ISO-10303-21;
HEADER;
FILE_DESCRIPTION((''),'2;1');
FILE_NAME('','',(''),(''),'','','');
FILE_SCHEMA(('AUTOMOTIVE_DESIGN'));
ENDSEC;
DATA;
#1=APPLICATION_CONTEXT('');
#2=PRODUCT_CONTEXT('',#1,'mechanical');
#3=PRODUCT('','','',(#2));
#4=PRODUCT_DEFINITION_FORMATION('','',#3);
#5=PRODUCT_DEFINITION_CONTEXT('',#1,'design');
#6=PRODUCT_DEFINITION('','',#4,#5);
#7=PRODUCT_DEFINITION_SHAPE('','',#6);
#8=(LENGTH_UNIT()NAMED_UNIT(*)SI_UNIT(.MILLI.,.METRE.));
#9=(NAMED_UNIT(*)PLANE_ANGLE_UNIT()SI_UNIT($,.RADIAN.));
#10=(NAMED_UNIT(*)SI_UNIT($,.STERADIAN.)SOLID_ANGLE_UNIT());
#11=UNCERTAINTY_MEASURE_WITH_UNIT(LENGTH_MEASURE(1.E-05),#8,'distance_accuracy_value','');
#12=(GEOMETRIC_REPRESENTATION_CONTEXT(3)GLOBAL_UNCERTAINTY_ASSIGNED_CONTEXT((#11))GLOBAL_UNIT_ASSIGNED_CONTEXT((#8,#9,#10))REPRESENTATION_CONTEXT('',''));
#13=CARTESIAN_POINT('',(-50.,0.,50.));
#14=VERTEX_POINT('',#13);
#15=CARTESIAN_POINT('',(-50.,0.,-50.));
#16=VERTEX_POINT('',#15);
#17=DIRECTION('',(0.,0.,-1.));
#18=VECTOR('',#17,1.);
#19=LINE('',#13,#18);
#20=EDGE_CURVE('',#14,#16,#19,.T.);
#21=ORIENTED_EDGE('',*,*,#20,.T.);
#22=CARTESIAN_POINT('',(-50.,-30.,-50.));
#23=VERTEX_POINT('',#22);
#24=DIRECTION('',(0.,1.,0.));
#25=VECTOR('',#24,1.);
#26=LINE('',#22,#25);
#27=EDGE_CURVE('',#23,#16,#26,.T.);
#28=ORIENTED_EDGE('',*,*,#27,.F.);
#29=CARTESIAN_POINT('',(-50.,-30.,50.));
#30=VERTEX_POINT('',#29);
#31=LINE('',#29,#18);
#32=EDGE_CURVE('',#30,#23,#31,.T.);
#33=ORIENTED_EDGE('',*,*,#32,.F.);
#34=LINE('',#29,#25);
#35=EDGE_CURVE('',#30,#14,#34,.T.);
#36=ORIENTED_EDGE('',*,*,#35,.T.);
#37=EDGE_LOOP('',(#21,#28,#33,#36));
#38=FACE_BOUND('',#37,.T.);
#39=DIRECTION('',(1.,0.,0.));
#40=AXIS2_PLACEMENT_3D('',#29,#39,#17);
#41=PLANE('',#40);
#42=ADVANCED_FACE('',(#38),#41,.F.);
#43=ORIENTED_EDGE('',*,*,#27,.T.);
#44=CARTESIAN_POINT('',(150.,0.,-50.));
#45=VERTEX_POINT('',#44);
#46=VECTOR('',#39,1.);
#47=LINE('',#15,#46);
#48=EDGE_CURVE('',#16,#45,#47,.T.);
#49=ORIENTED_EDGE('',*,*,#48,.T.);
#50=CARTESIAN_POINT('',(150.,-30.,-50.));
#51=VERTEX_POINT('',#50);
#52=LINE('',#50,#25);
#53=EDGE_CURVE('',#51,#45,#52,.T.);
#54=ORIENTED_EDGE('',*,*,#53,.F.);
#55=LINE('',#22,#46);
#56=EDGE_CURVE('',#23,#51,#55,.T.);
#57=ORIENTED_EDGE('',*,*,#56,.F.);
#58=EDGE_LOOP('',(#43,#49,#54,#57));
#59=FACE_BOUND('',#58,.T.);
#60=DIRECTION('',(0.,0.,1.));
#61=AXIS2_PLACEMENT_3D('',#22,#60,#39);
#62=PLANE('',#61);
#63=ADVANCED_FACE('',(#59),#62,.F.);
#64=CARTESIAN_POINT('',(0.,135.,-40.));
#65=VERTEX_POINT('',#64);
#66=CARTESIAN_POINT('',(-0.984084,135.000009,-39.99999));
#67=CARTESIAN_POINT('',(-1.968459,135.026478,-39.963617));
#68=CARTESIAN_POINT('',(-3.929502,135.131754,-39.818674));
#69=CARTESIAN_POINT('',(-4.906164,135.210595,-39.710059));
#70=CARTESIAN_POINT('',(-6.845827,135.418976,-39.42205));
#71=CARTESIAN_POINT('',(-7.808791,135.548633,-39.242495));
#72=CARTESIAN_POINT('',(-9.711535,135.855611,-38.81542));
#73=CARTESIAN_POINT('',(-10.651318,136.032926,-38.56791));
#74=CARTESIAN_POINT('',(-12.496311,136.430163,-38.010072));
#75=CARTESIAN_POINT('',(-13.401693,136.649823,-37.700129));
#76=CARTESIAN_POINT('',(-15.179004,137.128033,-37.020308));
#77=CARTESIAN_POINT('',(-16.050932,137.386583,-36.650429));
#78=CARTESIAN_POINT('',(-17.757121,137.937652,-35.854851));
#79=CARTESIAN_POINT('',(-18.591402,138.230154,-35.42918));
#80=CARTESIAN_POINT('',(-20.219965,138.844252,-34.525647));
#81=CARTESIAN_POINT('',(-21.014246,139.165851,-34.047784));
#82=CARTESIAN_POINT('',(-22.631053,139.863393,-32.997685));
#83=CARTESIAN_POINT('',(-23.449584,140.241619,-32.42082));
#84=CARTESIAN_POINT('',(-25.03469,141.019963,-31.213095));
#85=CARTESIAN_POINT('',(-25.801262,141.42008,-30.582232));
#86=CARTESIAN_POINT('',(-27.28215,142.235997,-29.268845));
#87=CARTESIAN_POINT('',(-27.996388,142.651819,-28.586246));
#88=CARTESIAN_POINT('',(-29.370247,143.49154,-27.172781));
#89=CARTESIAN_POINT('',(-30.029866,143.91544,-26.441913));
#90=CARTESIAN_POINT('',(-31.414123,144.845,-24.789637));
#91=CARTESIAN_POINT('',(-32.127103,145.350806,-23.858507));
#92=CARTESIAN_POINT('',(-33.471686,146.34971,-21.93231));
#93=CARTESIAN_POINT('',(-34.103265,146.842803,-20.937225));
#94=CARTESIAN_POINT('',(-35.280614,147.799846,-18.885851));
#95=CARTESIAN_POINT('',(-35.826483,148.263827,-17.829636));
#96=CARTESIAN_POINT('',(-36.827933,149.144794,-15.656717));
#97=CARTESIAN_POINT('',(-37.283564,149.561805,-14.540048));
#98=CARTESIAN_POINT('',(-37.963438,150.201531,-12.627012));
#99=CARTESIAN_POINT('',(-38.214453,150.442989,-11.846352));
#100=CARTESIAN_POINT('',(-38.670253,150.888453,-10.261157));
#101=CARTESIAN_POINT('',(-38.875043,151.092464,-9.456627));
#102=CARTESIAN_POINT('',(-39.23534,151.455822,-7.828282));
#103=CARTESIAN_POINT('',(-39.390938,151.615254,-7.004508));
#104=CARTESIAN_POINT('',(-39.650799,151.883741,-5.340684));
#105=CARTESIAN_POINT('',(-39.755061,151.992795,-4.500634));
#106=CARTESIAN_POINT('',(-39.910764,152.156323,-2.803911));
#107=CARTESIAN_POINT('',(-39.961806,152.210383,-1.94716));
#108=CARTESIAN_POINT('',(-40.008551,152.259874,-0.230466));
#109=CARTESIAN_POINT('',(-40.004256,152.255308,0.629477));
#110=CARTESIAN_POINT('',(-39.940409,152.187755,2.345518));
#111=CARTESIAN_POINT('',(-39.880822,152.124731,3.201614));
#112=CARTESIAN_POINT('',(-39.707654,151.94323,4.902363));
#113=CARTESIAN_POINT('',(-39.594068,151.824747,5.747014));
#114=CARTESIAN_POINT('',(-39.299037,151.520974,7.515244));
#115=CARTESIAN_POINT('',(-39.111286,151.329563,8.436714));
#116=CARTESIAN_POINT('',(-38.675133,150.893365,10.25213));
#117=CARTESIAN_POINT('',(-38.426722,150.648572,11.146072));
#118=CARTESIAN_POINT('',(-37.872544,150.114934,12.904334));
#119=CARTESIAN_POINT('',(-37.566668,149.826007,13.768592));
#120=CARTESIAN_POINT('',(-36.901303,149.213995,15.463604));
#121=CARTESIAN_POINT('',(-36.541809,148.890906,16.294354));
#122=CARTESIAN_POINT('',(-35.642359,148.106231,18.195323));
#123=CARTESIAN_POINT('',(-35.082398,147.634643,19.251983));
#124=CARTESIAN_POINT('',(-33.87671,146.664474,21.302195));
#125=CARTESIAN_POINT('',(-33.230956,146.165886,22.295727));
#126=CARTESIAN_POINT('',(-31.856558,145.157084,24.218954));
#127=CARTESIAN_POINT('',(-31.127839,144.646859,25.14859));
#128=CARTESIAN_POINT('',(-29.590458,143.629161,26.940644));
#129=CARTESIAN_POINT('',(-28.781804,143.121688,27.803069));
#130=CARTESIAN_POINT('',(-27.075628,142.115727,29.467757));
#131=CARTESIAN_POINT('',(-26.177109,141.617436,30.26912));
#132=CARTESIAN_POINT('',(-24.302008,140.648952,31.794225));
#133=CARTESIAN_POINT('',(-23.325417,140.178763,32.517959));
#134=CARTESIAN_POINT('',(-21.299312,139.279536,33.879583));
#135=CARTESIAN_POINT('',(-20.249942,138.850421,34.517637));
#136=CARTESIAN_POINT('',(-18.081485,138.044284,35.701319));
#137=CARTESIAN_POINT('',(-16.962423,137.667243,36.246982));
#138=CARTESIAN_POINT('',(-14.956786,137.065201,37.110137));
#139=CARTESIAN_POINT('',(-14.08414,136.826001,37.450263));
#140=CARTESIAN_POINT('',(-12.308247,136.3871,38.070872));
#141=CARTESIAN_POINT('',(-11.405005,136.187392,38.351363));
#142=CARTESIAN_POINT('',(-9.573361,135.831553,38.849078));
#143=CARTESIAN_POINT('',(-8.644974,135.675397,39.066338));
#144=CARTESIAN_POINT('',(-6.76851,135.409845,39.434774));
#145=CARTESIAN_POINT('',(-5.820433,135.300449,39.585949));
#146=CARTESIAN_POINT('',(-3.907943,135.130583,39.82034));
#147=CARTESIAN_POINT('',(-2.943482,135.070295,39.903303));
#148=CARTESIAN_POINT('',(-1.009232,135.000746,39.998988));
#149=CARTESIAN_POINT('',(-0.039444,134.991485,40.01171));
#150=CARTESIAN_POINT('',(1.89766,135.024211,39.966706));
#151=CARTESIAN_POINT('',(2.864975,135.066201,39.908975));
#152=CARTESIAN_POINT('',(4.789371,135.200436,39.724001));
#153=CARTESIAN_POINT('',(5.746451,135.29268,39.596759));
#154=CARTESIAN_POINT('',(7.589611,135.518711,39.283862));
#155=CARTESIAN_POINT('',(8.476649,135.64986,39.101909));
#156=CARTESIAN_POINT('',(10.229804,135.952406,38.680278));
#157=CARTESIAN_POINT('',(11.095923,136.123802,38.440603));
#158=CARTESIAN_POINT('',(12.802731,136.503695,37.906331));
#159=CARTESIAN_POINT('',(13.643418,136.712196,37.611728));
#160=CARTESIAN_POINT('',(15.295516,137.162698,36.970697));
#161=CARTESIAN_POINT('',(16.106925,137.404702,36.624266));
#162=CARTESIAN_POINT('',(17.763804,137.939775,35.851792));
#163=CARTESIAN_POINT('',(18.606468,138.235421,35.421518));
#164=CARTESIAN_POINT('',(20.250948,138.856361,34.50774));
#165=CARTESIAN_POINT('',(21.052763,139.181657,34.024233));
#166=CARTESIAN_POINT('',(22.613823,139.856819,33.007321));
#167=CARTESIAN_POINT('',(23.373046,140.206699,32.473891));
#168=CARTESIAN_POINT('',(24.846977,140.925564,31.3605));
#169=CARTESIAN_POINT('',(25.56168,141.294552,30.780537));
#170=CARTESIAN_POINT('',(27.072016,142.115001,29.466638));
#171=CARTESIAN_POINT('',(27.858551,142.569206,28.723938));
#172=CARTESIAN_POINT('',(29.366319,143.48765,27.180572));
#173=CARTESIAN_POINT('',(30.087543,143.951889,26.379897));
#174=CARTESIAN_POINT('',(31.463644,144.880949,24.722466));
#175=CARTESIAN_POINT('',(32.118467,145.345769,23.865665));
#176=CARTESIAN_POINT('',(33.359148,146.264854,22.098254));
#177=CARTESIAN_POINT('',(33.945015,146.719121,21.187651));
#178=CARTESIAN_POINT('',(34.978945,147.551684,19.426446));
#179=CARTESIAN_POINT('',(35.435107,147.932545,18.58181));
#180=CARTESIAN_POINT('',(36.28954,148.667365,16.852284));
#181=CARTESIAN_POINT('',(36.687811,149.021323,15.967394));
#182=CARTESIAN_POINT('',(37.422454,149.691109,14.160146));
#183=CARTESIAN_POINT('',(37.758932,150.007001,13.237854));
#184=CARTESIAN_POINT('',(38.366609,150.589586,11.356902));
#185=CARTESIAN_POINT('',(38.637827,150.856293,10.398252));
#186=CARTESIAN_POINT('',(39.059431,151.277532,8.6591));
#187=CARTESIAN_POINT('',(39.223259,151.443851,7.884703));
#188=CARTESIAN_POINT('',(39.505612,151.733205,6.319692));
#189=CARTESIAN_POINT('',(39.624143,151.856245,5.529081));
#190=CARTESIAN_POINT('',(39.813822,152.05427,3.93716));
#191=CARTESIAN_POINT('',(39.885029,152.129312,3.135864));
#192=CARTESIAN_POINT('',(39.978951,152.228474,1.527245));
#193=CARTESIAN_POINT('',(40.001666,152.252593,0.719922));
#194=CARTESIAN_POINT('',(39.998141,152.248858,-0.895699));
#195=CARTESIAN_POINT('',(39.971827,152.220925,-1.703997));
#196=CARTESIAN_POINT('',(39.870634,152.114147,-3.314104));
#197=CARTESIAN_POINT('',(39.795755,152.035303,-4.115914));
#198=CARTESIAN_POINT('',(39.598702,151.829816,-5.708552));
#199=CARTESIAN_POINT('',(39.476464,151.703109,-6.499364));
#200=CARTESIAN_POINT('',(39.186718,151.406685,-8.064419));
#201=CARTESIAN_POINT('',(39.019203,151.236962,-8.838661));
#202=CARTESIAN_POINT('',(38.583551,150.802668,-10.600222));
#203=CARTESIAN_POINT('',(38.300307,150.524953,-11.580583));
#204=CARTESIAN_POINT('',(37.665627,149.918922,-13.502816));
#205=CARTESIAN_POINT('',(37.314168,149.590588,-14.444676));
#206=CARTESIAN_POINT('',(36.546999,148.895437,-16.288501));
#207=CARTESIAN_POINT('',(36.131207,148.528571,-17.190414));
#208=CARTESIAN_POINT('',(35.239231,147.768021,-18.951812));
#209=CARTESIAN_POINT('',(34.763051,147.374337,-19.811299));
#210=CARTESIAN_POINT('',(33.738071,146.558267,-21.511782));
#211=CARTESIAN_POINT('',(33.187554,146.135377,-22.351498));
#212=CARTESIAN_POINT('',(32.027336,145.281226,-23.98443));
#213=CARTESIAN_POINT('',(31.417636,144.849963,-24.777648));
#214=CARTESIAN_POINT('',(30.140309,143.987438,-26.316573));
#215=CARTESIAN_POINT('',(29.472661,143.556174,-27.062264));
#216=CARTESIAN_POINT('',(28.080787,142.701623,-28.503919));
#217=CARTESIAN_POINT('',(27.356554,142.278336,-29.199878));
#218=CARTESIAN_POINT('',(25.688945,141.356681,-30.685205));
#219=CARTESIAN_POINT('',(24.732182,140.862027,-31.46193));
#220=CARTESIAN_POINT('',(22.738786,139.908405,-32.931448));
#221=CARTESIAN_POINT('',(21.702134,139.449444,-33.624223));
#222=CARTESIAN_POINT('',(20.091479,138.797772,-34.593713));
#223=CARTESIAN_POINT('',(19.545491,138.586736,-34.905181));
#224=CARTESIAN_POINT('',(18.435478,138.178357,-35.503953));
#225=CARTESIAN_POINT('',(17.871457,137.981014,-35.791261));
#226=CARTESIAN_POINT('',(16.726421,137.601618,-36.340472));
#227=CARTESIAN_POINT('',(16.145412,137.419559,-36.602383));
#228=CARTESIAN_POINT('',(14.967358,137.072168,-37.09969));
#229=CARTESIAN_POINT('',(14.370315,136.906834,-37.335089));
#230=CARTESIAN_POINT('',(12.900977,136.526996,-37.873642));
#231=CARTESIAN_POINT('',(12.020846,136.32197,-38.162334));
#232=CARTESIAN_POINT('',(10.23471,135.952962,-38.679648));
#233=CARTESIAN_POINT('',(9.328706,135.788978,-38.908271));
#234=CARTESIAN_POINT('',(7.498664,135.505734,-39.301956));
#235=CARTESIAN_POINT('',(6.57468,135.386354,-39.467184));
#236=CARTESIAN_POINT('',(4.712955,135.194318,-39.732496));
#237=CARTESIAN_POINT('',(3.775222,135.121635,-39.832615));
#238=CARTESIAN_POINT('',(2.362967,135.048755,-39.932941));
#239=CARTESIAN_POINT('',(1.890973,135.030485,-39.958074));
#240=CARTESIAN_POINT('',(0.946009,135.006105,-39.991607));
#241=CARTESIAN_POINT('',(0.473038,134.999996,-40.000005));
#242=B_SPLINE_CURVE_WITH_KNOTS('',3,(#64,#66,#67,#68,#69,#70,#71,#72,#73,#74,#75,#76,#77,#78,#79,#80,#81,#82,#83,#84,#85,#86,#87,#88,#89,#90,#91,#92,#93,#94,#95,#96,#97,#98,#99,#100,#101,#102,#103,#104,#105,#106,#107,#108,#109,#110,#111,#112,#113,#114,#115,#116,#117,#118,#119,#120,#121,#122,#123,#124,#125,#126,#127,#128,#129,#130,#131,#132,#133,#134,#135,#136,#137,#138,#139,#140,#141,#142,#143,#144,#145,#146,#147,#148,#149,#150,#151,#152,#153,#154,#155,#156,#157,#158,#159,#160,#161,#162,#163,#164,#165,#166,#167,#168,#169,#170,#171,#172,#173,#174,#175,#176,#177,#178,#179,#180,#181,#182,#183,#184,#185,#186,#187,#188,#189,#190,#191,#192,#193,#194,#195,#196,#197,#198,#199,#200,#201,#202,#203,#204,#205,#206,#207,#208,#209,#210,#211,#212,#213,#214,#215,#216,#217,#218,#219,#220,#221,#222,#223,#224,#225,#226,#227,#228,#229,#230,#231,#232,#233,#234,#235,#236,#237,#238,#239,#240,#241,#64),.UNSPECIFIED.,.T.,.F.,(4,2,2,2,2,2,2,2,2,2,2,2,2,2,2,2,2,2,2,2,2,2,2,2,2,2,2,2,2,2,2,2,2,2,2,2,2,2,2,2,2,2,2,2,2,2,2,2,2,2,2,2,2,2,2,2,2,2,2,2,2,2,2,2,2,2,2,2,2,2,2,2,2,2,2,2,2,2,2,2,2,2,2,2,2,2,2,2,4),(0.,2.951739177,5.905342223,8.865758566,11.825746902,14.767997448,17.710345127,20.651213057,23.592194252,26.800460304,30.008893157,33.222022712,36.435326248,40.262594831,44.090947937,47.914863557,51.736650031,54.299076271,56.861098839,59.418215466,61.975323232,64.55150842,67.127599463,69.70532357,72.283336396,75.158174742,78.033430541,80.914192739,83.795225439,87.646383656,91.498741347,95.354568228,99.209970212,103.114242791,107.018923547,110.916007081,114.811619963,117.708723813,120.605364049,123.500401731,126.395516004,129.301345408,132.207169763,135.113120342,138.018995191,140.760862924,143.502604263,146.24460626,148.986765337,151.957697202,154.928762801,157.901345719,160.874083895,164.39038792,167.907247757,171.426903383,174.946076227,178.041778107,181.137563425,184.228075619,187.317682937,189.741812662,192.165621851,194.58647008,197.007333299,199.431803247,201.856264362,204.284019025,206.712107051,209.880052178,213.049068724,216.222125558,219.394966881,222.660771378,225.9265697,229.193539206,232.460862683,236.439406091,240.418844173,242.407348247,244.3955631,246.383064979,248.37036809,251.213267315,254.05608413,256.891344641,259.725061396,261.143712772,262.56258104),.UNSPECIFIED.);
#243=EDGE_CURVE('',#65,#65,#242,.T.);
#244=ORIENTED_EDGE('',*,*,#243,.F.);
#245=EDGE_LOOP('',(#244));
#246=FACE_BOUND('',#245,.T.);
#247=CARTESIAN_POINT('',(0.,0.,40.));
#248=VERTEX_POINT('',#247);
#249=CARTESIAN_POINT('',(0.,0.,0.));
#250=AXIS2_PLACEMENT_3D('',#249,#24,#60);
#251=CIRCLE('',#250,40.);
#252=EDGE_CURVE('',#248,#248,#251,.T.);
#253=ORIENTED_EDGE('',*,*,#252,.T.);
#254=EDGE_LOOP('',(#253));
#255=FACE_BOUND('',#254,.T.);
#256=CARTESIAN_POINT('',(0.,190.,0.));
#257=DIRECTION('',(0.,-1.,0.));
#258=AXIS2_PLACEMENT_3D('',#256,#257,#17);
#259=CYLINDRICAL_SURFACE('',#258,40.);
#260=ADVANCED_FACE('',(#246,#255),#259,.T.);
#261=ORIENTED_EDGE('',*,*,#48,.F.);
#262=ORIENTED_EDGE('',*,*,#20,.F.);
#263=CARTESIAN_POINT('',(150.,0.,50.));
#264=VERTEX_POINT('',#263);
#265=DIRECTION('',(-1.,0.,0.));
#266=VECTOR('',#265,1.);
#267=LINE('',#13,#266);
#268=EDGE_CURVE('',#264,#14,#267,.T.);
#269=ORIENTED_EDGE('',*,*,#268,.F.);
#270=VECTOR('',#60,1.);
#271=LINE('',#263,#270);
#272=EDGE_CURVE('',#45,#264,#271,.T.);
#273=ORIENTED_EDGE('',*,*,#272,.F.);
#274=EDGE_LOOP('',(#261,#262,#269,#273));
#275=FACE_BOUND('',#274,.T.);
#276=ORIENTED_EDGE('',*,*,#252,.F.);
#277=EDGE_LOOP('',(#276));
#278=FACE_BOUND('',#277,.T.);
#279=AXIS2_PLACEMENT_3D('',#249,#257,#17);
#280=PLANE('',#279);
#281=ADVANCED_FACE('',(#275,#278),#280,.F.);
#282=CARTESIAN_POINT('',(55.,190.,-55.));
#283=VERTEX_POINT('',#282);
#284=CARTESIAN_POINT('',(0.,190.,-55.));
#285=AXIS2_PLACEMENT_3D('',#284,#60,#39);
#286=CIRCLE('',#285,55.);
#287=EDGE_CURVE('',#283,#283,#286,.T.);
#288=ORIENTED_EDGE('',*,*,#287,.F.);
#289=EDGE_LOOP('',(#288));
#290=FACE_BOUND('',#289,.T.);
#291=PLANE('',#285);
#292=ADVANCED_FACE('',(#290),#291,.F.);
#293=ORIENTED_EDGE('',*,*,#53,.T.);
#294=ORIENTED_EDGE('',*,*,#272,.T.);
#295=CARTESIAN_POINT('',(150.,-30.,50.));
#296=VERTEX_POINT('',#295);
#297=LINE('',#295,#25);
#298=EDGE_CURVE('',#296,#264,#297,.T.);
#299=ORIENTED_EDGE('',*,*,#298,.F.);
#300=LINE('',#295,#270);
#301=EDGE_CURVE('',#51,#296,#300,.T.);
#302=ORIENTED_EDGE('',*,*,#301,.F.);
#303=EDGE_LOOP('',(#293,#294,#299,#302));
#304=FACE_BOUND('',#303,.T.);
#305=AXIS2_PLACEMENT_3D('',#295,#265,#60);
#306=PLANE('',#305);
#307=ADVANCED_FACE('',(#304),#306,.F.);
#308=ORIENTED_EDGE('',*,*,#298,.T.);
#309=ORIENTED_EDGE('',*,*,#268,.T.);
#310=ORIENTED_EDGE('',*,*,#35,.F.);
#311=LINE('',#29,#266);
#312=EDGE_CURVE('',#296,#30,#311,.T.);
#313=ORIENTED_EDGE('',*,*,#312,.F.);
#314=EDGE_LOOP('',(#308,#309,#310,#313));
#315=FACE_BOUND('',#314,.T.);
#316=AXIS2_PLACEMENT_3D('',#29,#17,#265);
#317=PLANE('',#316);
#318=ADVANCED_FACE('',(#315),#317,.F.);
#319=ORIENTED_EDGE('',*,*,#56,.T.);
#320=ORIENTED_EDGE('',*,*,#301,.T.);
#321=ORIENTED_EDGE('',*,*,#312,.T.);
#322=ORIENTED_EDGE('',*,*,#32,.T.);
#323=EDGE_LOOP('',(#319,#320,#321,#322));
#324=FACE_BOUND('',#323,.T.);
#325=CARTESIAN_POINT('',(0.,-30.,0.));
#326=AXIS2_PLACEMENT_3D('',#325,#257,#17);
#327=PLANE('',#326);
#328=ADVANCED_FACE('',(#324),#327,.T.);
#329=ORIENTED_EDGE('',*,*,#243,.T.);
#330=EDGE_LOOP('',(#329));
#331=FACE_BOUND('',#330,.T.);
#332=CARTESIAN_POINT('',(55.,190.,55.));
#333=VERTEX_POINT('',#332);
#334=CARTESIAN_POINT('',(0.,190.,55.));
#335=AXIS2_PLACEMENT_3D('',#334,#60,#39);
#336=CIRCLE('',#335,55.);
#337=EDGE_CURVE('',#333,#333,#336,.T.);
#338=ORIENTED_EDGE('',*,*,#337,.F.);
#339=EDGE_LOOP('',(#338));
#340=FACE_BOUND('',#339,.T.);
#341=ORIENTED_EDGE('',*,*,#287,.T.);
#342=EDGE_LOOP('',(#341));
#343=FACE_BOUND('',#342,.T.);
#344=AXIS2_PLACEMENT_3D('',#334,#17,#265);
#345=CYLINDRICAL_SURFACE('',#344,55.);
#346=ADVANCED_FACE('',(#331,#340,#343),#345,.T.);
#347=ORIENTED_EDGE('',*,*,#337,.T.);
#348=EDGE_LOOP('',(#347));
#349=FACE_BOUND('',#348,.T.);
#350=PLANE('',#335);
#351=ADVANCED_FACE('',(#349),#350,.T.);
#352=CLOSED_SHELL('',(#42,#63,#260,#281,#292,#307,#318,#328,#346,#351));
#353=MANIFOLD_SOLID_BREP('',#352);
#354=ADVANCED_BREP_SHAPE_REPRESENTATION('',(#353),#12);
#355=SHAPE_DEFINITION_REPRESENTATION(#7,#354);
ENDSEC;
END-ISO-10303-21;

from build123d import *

# Parameters (mm, degrees)
SKETCH1_R           = 40
BOSS_EXTRUDE1_DEPTH = 190
SKETCH2_R           = 55
BOSS_EXTRUDE2_DEPTH = 55
SKETCH3_W           = 200
SKETCH3_H           = 100
BOSS_EXTRUDE3_DEPTH = 30


with BuildPart() as part:
    # Sketch1 → Boss-Extrude1 (new body)
    with BuildSketch(Plane(origin=(0, 0, 0), x_dir=(1, 0, 0), z_dir=(0, 1, 0))):
        Circle(SKETCH1_R)
    extrude(amount=BOSS_EXTRUDE1_DEPTH)

    # Sketch2 → Boss-Extrude2 (add, symmetric)
    with BuildSketch(Plane.XY):
        with Locations((0, 190)):
            Circle(SKETCH2_R)
    extrude(amount=BOSS_EXTRUDE2_DEPTH, both=True)

    # Sketch3 → Boss-Extrude3 (add)
    with BuildSketch(Plane.XZ):
        with Locations((50, 0)):
            Rectangle(SKETCH3_W, SKETCH3_H)
    extrude(amount=BOSS_EXTRUDE3_DEPTH)


solid = part.part
